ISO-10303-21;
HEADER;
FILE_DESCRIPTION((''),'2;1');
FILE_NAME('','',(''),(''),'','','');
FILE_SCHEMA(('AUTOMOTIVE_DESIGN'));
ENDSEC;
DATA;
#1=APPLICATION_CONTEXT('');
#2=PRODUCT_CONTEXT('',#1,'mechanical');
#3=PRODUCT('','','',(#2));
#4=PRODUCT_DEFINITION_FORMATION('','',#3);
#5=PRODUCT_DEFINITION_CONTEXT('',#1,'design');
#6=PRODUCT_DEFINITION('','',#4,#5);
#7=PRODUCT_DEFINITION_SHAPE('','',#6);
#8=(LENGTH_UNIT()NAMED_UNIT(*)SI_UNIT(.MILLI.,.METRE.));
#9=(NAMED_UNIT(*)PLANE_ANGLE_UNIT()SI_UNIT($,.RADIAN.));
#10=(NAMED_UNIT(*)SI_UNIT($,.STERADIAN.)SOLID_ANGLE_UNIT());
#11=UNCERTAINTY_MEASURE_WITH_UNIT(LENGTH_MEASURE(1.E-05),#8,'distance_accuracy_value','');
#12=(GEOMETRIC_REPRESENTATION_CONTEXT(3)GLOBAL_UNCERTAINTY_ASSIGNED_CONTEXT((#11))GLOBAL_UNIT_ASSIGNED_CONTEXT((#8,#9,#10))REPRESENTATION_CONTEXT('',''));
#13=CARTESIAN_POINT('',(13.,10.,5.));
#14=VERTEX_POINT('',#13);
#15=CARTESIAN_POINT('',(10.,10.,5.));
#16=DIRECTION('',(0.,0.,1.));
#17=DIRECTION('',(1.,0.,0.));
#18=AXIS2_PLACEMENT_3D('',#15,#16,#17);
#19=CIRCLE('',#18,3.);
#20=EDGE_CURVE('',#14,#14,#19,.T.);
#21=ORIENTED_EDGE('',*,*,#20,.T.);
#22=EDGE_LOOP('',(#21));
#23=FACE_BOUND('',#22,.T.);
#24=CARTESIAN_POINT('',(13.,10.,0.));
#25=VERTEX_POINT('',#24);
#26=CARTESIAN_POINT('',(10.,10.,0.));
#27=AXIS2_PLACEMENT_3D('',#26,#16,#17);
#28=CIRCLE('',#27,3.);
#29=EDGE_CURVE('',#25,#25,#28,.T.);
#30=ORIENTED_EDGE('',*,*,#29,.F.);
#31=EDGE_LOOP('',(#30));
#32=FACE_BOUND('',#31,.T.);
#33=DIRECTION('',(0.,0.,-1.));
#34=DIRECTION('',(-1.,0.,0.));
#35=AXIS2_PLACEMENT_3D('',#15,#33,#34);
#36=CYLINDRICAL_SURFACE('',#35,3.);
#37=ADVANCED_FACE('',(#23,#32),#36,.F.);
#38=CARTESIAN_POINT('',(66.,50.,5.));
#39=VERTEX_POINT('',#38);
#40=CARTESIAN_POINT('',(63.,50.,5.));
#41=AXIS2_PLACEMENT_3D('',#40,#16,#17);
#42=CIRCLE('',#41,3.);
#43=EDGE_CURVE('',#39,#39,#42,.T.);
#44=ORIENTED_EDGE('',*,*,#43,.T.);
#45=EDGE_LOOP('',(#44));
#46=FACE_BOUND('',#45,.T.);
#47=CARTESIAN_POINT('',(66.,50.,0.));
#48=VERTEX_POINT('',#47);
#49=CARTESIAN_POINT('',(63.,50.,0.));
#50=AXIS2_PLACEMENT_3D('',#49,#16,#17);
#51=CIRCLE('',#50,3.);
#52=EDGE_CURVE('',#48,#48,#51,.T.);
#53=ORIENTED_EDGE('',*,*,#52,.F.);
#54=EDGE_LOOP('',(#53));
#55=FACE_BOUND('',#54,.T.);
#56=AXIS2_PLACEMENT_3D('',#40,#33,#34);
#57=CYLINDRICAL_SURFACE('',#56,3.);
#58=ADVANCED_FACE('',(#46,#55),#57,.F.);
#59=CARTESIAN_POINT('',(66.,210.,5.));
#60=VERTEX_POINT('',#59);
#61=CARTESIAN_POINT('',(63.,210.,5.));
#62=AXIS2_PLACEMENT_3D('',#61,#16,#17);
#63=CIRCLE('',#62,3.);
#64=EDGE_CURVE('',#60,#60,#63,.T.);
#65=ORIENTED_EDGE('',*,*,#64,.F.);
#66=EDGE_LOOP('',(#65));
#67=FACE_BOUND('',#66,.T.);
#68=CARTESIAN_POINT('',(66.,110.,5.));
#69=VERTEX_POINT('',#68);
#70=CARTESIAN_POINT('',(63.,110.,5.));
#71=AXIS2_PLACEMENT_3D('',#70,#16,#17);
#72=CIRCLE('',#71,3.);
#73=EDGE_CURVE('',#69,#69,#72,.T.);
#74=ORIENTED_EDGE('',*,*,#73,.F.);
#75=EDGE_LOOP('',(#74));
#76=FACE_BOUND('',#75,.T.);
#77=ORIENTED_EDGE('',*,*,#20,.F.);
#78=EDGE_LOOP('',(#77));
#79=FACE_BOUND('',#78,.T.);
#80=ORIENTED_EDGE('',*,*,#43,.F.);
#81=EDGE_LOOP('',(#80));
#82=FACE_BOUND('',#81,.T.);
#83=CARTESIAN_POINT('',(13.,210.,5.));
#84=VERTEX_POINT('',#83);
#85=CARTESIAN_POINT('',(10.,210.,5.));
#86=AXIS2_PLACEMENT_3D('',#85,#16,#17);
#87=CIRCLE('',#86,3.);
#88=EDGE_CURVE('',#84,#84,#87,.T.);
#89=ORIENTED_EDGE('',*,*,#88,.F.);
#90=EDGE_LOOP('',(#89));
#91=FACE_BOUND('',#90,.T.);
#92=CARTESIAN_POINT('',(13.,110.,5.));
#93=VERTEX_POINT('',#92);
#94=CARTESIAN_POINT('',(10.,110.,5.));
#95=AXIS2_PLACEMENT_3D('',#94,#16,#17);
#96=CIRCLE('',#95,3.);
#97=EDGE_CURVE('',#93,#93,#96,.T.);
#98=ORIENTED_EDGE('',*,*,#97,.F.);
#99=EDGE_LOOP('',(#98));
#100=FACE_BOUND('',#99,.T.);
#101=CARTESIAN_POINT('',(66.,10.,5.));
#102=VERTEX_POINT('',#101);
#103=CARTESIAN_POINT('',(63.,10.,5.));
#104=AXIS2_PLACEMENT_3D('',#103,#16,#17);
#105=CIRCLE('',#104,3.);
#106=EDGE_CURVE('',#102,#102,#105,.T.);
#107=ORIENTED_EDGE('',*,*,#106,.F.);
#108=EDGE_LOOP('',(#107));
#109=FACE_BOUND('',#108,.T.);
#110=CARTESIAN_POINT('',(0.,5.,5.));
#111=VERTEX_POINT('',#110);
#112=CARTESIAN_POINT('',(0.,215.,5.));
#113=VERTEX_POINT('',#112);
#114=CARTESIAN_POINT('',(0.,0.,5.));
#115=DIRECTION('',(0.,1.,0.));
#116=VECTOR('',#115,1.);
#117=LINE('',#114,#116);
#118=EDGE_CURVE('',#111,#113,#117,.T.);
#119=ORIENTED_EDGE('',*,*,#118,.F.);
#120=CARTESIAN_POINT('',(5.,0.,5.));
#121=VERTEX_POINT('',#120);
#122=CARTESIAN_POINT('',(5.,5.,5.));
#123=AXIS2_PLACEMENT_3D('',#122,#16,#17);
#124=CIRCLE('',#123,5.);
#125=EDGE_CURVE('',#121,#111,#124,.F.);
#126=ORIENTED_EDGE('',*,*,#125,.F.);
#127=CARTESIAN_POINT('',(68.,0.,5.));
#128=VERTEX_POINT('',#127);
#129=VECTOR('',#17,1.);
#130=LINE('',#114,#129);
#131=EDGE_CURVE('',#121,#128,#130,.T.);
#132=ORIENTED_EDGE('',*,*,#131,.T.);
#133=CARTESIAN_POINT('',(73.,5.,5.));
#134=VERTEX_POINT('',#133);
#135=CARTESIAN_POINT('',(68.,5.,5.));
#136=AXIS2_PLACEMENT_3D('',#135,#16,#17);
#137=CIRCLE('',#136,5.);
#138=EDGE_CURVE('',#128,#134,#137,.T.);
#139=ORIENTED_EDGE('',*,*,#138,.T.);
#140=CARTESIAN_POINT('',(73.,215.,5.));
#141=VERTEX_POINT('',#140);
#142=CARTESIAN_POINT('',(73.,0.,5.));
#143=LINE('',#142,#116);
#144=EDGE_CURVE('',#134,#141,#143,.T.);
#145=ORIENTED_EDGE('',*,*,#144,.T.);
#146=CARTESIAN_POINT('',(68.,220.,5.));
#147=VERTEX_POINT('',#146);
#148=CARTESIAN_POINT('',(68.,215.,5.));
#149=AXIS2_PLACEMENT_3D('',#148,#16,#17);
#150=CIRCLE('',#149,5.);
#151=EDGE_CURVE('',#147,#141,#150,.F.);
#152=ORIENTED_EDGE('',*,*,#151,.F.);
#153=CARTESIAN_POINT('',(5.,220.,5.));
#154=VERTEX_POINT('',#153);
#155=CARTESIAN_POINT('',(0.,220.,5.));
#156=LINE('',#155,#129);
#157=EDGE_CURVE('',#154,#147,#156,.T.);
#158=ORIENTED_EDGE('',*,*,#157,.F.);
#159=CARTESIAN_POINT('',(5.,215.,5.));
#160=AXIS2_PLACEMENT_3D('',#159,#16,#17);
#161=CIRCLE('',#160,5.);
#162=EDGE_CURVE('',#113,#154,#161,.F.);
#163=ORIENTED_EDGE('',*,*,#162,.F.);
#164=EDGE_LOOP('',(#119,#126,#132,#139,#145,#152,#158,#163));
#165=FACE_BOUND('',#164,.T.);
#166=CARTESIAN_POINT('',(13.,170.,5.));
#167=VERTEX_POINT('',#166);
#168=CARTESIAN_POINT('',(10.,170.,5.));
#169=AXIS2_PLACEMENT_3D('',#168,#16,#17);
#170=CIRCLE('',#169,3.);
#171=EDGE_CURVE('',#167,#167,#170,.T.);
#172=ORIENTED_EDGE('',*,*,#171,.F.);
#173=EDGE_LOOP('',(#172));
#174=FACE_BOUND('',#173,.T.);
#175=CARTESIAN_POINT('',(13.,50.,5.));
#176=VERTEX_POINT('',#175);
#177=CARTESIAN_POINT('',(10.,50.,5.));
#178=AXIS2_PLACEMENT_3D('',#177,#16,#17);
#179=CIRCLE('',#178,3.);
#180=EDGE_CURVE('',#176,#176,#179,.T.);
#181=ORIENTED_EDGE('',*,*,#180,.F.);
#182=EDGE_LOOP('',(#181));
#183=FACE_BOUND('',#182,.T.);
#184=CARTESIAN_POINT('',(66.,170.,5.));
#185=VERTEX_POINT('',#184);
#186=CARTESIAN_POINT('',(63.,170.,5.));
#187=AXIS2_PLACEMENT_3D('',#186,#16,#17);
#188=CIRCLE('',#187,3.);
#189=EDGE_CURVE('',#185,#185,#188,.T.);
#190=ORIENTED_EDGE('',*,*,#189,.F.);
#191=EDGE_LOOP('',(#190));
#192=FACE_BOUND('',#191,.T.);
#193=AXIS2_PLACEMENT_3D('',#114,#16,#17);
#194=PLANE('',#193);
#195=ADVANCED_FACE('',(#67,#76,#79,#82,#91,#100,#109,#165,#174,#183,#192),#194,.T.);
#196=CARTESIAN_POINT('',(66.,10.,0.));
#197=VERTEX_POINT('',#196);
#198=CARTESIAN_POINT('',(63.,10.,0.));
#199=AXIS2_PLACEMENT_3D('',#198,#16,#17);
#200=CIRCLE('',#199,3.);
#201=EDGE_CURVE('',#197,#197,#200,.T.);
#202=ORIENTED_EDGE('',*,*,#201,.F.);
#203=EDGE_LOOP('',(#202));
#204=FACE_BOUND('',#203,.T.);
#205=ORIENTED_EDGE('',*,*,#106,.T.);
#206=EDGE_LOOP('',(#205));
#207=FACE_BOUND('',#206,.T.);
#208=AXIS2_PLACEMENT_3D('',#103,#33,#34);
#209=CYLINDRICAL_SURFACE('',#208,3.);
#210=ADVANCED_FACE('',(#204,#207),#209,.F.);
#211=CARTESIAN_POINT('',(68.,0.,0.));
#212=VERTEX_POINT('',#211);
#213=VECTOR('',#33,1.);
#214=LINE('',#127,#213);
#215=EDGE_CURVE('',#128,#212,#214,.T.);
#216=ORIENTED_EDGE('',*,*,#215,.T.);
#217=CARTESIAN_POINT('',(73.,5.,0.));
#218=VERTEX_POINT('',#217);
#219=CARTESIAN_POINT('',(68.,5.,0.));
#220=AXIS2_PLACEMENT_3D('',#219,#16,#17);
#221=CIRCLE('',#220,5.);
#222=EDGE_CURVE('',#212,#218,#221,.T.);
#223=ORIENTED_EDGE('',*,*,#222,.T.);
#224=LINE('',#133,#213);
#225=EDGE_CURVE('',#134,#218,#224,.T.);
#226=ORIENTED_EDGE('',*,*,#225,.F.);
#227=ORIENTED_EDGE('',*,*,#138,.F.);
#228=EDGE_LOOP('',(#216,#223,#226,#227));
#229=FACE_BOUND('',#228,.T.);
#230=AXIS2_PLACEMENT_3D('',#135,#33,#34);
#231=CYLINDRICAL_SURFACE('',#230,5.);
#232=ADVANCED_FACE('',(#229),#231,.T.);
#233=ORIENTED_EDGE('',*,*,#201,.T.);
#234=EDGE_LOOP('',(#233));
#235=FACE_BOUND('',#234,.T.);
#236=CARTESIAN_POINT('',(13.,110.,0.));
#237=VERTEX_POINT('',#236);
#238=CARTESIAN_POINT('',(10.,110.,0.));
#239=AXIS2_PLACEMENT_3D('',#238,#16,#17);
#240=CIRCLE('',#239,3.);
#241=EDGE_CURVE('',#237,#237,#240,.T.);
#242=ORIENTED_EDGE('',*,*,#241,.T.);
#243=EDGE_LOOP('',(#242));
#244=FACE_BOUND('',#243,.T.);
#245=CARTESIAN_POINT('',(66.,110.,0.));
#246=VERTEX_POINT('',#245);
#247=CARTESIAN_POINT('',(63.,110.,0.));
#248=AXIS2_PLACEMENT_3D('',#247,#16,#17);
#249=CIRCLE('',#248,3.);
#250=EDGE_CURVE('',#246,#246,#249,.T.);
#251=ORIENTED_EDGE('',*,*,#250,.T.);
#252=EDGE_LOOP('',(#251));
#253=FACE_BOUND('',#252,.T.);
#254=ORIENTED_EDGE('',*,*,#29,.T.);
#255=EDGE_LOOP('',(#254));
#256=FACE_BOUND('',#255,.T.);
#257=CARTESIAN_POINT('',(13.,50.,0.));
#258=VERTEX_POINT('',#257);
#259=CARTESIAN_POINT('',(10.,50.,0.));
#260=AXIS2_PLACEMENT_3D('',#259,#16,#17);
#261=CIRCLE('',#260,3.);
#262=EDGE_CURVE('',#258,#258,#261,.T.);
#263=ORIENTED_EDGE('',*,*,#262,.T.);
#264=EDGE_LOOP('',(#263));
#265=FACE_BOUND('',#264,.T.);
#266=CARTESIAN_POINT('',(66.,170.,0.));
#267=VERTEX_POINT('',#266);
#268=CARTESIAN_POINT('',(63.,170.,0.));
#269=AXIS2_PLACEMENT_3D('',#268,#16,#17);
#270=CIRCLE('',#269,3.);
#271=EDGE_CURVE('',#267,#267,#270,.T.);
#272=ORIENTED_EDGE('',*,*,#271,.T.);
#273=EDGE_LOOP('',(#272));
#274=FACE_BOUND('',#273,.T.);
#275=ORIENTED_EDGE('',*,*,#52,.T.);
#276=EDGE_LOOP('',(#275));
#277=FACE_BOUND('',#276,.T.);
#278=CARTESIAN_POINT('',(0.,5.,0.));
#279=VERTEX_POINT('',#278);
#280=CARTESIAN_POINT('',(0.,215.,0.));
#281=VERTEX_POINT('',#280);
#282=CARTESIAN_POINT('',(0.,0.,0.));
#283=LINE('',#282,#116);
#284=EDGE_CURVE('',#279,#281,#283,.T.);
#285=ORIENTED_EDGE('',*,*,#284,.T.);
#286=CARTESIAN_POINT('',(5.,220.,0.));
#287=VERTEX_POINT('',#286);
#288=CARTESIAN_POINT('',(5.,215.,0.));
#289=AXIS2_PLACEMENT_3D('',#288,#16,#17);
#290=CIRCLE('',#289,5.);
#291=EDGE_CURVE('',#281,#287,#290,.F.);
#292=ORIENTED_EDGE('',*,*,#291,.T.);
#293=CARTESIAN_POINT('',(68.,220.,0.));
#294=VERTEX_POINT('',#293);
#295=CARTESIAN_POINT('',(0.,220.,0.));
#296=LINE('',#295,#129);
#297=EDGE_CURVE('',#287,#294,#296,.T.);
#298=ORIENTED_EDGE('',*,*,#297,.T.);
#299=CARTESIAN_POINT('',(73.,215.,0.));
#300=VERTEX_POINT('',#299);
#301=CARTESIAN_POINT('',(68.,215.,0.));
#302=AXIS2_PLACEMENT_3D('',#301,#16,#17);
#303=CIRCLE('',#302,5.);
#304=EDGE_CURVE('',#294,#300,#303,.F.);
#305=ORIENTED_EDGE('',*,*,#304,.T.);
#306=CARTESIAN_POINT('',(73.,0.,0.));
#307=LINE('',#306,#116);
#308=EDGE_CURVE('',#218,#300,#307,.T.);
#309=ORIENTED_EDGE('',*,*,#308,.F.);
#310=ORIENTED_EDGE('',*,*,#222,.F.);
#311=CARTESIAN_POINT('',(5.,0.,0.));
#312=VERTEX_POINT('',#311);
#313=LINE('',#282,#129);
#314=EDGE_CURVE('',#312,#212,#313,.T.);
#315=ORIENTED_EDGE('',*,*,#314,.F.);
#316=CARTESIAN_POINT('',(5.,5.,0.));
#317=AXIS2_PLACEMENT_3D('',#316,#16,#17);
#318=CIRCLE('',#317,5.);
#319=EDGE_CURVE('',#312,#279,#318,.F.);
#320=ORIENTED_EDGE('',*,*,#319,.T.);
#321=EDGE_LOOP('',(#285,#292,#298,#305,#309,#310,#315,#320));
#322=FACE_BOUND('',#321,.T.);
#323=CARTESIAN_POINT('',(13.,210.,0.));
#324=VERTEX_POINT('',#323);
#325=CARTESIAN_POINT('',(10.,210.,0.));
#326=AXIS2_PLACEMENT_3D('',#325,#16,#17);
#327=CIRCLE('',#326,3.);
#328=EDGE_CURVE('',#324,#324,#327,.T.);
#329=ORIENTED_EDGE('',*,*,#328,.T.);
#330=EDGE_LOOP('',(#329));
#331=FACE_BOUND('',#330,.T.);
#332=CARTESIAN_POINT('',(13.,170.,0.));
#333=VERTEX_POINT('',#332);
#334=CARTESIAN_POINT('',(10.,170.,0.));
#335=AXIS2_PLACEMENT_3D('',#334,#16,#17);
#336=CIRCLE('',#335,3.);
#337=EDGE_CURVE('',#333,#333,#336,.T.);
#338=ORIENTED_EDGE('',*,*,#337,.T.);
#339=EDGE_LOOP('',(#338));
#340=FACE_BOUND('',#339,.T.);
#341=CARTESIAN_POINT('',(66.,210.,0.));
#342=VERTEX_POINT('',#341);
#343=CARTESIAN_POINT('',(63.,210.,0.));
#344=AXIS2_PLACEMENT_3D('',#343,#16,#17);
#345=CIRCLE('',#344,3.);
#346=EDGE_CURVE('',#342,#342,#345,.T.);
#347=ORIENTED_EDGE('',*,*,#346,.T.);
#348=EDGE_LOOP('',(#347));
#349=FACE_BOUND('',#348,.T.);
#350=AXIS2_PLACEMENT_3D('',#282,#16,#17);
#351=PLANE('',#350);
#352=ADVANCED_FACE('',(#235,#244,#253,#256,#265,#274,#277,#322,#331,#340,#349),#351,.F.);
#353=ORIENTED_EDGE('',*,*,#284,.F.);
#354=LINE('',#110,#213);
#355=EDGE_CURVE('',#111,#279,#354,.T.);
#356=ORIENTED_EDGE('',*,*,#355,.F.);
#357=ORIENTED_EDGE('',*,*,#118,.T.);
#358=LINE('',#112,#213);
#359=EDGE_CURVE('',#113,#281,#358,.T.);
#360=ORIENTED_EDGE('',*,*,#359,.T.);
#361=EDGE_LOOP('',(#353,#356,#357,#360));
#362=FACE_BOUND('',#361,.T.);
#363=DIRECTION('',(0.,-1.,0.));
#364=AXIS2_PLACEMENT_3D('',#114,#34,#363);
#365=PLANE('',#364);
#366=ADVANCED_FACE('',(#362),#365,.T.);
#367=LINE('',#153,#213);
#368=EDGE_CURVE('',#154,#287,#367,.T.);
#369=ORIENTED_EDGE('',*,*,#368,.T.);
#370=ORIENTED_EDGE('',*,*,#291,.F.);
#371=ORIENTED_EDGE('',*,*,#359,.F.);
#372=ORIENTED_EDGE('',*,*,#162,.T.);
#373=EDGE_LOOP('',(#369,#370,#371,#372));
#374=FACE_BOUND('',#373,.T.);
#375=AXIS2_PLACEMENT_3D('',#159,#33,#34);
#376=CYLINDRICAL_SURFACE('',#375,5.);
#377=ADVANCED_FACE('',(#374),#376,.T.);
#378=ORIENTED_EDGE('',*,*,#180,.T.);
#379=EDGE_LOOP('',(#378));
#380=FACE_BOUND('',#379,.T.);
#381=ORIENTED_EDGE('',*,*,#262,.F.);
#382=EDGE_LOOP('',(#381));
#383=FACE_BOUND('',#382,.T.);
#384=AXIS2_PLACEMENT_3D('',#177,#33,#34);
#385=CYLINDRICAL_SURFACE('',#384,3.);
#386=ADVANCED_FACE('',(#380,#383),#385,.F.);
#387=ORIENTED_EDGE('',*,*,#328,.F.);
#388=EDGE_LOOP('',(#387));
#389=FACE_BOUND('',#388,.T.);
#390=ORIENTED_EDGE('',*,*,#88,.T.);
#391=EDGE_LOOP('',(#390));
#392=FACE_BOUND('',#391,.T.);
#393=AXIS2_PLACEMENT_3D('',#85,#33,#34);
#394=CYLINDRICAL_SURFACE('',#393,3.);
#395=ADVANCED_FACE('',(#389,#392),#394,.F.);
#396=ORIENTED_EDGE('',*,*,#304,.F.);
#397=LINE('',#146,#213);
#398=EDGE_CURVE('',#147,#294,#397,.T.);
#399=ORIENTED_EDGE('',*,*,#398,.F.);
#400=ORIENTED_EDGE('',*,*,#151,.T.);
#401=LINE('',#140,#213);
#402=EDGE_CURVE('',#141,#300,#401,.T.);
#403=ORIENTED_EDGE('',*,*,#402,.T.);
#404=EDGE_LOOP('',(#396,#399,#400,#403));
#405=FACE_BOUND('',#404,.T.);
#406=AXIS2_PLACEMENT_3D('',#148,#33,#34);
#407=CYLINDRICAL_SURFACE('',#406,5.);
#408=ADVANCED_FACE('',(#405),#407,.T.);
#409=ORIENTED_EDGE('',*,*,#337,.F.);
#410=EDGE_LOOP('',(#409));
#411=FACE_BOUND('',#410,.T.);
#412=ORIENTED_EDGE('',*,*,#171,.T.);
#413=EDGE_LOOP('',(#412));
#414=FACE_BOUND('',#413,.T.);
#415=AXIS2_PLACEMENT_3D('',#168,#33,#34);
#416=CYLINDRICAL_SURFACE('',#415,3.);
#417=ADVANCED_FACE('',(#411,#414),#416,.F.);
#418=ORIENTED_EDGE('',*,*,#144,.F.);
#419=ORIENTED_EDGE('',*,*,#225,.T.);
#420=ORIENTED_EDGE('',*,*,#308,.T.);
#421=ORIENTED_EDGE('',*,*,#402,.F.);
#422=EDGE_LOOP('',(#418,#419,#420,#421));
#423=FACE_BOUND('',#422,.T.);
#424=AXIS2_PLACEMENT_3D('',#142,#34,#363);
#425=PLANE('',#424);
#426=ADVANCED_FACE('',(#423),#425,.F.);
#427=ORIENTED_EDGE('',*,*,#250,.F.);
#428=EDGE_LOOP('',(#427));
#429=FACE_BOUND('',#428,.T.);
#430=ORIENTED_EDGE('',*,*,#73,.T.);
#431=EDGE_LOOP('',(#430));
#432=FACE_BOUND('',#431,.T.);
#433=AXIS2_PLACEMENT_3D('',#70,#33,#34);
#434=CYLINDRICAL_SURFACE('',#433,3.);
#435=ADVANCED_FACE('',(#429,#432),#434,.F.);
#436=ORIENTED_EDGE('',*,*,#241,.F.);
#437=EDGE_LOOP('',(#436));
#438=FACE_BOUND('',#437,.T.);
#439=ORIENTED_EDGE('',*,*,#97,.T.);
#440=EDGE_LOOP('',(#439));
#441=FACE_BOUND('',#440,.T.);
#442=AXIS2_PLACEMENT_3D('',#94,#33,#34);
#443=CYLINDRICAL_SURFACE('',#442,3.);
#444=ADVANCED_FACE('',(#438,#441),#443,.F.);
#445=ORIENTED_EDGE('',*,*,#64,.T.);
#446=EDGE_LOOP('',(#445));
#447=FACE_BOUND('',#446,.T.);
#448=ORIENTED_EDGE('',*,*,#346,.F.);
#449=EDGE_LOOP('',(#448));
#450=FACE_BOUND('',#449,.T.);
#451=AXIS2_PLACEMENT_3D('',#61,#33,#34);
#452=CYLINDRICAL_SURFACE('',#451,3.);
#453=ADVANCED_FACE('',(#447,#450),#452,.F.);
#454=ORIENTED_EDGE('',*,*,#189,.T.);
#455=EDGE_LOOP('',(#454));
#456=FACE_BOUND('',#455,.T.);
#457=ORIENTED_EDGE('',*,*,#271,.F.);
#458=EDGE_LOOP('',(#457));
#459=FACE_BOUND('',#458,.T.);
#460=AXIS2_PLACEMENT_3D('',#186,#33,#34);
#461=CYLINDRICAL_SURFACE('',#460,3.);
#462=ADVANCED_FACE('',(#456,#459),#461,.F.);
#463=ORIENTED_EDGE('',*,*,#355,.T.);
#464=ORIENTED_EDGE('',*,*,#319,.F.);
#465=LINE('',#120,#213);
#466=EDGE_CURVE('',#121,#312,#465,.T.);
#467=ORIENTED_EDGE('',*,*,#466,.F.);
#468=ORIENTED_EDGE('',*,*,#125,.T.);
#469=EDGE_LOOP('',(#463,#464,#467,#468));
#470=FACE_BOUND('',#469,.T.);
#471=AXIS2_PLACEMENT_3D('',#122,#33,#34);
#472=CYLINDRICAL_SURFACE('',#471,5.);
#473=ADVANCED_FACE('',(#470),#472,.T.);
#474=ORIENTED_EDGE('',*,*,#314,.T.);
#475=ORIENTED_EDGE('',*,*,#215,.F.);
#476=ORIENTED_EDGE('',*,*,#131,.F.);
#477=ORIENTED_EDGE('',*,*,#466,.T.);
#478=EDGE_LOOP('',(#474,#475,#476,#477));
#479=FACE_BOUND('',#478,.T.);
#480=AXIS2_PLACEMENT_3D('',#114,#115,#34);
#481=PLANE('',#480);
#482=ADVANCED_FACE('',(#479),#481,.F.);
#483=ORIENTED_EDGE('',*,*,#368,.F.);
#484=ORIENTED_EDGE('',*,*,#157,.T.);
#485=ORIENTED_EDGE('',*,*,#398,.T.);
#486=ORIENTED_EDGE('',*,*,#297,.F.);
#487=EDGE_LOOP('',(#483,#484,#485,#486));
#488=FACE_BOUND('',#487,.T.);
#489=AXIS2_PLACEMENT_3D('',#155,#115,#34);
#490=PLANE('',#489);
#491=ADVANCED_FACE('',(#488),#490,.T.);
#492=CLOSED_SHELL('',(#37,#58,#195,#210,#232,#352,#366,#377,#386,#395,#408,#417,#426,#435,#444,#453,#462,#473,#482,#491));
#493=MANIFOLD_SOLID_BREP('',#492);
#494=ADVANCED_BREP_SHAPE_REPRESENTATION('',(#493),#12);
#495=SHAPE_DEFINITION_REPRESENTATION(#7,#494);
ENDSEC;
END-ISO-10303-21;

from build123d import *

# Parameters (mm, degrees)
SKETCH2_R           = 3
BOSS_EXTRUDE1_DEPTH = 5


with BuildPart() as part:
    # Sketch2 → Boss-Extrude1 (new body)
    with BuildSketch(Plane.XY):
        with BuildLine():
            Line((5, 0), (68, 0))
            ThreePointArc((68, 0), (71.535533906, 1.464466094), (73, 5))
            Line((73, 5), (73, 215))
            ThreePointArc((73, 215), (71.535533906, 218.535533906), (68, 220))
            Line((68, 220), (5, 220))
            ThreePointArc((5, 220), (1.464466094, 218.535533906), (0, 215))
            Line((0, 215), (0, 5))
            ThreePointArc((0, 5), (1.464466094, 1.464466094), (5, 0))
        make_face()
        with Locations((10, 210)):
            Circle(SKETCH2_R, mode=Mode.SUBTRACT)
        with Locations((63, 210)):
            Circle(SKETCH2_R, mode=Mode.SUBTRACT)
        with Locations((63, 170)):
            Circle(SKETCH2_R, mode=Mode.SUBTRACT)
        with Locations((10, 170)):
            Circle(SKETCH2_R, mode=Mode.SUBTRACT)
        with Locations((63, 50)):
            Circle(SKETCH2_R, mode=Mode.SUBTRACT)
        with Locations((10, 50)):
            Circle(SKETCH2_R, mode=Mode.SUBTRACT)
        with Locations((10, 10)):
            Circle(SKETCH2_R, mode=Mode.SUBTRACT)
        with Locations((63, 10)):
            Circle(SKETCH2_R, mode=Mode.SUBTRACT)
        with Locations((10, 110)):
            Circle(SKETCH2_R, mode=Mode.SUBTRACT)
        with Locations((63, 110)):
            Circle(SKETCH2_R, mode=Mode.SUBTRACT)
    extrude(amount=BOSS_EXTRUDE1_DEPTH)


solid = part.part
